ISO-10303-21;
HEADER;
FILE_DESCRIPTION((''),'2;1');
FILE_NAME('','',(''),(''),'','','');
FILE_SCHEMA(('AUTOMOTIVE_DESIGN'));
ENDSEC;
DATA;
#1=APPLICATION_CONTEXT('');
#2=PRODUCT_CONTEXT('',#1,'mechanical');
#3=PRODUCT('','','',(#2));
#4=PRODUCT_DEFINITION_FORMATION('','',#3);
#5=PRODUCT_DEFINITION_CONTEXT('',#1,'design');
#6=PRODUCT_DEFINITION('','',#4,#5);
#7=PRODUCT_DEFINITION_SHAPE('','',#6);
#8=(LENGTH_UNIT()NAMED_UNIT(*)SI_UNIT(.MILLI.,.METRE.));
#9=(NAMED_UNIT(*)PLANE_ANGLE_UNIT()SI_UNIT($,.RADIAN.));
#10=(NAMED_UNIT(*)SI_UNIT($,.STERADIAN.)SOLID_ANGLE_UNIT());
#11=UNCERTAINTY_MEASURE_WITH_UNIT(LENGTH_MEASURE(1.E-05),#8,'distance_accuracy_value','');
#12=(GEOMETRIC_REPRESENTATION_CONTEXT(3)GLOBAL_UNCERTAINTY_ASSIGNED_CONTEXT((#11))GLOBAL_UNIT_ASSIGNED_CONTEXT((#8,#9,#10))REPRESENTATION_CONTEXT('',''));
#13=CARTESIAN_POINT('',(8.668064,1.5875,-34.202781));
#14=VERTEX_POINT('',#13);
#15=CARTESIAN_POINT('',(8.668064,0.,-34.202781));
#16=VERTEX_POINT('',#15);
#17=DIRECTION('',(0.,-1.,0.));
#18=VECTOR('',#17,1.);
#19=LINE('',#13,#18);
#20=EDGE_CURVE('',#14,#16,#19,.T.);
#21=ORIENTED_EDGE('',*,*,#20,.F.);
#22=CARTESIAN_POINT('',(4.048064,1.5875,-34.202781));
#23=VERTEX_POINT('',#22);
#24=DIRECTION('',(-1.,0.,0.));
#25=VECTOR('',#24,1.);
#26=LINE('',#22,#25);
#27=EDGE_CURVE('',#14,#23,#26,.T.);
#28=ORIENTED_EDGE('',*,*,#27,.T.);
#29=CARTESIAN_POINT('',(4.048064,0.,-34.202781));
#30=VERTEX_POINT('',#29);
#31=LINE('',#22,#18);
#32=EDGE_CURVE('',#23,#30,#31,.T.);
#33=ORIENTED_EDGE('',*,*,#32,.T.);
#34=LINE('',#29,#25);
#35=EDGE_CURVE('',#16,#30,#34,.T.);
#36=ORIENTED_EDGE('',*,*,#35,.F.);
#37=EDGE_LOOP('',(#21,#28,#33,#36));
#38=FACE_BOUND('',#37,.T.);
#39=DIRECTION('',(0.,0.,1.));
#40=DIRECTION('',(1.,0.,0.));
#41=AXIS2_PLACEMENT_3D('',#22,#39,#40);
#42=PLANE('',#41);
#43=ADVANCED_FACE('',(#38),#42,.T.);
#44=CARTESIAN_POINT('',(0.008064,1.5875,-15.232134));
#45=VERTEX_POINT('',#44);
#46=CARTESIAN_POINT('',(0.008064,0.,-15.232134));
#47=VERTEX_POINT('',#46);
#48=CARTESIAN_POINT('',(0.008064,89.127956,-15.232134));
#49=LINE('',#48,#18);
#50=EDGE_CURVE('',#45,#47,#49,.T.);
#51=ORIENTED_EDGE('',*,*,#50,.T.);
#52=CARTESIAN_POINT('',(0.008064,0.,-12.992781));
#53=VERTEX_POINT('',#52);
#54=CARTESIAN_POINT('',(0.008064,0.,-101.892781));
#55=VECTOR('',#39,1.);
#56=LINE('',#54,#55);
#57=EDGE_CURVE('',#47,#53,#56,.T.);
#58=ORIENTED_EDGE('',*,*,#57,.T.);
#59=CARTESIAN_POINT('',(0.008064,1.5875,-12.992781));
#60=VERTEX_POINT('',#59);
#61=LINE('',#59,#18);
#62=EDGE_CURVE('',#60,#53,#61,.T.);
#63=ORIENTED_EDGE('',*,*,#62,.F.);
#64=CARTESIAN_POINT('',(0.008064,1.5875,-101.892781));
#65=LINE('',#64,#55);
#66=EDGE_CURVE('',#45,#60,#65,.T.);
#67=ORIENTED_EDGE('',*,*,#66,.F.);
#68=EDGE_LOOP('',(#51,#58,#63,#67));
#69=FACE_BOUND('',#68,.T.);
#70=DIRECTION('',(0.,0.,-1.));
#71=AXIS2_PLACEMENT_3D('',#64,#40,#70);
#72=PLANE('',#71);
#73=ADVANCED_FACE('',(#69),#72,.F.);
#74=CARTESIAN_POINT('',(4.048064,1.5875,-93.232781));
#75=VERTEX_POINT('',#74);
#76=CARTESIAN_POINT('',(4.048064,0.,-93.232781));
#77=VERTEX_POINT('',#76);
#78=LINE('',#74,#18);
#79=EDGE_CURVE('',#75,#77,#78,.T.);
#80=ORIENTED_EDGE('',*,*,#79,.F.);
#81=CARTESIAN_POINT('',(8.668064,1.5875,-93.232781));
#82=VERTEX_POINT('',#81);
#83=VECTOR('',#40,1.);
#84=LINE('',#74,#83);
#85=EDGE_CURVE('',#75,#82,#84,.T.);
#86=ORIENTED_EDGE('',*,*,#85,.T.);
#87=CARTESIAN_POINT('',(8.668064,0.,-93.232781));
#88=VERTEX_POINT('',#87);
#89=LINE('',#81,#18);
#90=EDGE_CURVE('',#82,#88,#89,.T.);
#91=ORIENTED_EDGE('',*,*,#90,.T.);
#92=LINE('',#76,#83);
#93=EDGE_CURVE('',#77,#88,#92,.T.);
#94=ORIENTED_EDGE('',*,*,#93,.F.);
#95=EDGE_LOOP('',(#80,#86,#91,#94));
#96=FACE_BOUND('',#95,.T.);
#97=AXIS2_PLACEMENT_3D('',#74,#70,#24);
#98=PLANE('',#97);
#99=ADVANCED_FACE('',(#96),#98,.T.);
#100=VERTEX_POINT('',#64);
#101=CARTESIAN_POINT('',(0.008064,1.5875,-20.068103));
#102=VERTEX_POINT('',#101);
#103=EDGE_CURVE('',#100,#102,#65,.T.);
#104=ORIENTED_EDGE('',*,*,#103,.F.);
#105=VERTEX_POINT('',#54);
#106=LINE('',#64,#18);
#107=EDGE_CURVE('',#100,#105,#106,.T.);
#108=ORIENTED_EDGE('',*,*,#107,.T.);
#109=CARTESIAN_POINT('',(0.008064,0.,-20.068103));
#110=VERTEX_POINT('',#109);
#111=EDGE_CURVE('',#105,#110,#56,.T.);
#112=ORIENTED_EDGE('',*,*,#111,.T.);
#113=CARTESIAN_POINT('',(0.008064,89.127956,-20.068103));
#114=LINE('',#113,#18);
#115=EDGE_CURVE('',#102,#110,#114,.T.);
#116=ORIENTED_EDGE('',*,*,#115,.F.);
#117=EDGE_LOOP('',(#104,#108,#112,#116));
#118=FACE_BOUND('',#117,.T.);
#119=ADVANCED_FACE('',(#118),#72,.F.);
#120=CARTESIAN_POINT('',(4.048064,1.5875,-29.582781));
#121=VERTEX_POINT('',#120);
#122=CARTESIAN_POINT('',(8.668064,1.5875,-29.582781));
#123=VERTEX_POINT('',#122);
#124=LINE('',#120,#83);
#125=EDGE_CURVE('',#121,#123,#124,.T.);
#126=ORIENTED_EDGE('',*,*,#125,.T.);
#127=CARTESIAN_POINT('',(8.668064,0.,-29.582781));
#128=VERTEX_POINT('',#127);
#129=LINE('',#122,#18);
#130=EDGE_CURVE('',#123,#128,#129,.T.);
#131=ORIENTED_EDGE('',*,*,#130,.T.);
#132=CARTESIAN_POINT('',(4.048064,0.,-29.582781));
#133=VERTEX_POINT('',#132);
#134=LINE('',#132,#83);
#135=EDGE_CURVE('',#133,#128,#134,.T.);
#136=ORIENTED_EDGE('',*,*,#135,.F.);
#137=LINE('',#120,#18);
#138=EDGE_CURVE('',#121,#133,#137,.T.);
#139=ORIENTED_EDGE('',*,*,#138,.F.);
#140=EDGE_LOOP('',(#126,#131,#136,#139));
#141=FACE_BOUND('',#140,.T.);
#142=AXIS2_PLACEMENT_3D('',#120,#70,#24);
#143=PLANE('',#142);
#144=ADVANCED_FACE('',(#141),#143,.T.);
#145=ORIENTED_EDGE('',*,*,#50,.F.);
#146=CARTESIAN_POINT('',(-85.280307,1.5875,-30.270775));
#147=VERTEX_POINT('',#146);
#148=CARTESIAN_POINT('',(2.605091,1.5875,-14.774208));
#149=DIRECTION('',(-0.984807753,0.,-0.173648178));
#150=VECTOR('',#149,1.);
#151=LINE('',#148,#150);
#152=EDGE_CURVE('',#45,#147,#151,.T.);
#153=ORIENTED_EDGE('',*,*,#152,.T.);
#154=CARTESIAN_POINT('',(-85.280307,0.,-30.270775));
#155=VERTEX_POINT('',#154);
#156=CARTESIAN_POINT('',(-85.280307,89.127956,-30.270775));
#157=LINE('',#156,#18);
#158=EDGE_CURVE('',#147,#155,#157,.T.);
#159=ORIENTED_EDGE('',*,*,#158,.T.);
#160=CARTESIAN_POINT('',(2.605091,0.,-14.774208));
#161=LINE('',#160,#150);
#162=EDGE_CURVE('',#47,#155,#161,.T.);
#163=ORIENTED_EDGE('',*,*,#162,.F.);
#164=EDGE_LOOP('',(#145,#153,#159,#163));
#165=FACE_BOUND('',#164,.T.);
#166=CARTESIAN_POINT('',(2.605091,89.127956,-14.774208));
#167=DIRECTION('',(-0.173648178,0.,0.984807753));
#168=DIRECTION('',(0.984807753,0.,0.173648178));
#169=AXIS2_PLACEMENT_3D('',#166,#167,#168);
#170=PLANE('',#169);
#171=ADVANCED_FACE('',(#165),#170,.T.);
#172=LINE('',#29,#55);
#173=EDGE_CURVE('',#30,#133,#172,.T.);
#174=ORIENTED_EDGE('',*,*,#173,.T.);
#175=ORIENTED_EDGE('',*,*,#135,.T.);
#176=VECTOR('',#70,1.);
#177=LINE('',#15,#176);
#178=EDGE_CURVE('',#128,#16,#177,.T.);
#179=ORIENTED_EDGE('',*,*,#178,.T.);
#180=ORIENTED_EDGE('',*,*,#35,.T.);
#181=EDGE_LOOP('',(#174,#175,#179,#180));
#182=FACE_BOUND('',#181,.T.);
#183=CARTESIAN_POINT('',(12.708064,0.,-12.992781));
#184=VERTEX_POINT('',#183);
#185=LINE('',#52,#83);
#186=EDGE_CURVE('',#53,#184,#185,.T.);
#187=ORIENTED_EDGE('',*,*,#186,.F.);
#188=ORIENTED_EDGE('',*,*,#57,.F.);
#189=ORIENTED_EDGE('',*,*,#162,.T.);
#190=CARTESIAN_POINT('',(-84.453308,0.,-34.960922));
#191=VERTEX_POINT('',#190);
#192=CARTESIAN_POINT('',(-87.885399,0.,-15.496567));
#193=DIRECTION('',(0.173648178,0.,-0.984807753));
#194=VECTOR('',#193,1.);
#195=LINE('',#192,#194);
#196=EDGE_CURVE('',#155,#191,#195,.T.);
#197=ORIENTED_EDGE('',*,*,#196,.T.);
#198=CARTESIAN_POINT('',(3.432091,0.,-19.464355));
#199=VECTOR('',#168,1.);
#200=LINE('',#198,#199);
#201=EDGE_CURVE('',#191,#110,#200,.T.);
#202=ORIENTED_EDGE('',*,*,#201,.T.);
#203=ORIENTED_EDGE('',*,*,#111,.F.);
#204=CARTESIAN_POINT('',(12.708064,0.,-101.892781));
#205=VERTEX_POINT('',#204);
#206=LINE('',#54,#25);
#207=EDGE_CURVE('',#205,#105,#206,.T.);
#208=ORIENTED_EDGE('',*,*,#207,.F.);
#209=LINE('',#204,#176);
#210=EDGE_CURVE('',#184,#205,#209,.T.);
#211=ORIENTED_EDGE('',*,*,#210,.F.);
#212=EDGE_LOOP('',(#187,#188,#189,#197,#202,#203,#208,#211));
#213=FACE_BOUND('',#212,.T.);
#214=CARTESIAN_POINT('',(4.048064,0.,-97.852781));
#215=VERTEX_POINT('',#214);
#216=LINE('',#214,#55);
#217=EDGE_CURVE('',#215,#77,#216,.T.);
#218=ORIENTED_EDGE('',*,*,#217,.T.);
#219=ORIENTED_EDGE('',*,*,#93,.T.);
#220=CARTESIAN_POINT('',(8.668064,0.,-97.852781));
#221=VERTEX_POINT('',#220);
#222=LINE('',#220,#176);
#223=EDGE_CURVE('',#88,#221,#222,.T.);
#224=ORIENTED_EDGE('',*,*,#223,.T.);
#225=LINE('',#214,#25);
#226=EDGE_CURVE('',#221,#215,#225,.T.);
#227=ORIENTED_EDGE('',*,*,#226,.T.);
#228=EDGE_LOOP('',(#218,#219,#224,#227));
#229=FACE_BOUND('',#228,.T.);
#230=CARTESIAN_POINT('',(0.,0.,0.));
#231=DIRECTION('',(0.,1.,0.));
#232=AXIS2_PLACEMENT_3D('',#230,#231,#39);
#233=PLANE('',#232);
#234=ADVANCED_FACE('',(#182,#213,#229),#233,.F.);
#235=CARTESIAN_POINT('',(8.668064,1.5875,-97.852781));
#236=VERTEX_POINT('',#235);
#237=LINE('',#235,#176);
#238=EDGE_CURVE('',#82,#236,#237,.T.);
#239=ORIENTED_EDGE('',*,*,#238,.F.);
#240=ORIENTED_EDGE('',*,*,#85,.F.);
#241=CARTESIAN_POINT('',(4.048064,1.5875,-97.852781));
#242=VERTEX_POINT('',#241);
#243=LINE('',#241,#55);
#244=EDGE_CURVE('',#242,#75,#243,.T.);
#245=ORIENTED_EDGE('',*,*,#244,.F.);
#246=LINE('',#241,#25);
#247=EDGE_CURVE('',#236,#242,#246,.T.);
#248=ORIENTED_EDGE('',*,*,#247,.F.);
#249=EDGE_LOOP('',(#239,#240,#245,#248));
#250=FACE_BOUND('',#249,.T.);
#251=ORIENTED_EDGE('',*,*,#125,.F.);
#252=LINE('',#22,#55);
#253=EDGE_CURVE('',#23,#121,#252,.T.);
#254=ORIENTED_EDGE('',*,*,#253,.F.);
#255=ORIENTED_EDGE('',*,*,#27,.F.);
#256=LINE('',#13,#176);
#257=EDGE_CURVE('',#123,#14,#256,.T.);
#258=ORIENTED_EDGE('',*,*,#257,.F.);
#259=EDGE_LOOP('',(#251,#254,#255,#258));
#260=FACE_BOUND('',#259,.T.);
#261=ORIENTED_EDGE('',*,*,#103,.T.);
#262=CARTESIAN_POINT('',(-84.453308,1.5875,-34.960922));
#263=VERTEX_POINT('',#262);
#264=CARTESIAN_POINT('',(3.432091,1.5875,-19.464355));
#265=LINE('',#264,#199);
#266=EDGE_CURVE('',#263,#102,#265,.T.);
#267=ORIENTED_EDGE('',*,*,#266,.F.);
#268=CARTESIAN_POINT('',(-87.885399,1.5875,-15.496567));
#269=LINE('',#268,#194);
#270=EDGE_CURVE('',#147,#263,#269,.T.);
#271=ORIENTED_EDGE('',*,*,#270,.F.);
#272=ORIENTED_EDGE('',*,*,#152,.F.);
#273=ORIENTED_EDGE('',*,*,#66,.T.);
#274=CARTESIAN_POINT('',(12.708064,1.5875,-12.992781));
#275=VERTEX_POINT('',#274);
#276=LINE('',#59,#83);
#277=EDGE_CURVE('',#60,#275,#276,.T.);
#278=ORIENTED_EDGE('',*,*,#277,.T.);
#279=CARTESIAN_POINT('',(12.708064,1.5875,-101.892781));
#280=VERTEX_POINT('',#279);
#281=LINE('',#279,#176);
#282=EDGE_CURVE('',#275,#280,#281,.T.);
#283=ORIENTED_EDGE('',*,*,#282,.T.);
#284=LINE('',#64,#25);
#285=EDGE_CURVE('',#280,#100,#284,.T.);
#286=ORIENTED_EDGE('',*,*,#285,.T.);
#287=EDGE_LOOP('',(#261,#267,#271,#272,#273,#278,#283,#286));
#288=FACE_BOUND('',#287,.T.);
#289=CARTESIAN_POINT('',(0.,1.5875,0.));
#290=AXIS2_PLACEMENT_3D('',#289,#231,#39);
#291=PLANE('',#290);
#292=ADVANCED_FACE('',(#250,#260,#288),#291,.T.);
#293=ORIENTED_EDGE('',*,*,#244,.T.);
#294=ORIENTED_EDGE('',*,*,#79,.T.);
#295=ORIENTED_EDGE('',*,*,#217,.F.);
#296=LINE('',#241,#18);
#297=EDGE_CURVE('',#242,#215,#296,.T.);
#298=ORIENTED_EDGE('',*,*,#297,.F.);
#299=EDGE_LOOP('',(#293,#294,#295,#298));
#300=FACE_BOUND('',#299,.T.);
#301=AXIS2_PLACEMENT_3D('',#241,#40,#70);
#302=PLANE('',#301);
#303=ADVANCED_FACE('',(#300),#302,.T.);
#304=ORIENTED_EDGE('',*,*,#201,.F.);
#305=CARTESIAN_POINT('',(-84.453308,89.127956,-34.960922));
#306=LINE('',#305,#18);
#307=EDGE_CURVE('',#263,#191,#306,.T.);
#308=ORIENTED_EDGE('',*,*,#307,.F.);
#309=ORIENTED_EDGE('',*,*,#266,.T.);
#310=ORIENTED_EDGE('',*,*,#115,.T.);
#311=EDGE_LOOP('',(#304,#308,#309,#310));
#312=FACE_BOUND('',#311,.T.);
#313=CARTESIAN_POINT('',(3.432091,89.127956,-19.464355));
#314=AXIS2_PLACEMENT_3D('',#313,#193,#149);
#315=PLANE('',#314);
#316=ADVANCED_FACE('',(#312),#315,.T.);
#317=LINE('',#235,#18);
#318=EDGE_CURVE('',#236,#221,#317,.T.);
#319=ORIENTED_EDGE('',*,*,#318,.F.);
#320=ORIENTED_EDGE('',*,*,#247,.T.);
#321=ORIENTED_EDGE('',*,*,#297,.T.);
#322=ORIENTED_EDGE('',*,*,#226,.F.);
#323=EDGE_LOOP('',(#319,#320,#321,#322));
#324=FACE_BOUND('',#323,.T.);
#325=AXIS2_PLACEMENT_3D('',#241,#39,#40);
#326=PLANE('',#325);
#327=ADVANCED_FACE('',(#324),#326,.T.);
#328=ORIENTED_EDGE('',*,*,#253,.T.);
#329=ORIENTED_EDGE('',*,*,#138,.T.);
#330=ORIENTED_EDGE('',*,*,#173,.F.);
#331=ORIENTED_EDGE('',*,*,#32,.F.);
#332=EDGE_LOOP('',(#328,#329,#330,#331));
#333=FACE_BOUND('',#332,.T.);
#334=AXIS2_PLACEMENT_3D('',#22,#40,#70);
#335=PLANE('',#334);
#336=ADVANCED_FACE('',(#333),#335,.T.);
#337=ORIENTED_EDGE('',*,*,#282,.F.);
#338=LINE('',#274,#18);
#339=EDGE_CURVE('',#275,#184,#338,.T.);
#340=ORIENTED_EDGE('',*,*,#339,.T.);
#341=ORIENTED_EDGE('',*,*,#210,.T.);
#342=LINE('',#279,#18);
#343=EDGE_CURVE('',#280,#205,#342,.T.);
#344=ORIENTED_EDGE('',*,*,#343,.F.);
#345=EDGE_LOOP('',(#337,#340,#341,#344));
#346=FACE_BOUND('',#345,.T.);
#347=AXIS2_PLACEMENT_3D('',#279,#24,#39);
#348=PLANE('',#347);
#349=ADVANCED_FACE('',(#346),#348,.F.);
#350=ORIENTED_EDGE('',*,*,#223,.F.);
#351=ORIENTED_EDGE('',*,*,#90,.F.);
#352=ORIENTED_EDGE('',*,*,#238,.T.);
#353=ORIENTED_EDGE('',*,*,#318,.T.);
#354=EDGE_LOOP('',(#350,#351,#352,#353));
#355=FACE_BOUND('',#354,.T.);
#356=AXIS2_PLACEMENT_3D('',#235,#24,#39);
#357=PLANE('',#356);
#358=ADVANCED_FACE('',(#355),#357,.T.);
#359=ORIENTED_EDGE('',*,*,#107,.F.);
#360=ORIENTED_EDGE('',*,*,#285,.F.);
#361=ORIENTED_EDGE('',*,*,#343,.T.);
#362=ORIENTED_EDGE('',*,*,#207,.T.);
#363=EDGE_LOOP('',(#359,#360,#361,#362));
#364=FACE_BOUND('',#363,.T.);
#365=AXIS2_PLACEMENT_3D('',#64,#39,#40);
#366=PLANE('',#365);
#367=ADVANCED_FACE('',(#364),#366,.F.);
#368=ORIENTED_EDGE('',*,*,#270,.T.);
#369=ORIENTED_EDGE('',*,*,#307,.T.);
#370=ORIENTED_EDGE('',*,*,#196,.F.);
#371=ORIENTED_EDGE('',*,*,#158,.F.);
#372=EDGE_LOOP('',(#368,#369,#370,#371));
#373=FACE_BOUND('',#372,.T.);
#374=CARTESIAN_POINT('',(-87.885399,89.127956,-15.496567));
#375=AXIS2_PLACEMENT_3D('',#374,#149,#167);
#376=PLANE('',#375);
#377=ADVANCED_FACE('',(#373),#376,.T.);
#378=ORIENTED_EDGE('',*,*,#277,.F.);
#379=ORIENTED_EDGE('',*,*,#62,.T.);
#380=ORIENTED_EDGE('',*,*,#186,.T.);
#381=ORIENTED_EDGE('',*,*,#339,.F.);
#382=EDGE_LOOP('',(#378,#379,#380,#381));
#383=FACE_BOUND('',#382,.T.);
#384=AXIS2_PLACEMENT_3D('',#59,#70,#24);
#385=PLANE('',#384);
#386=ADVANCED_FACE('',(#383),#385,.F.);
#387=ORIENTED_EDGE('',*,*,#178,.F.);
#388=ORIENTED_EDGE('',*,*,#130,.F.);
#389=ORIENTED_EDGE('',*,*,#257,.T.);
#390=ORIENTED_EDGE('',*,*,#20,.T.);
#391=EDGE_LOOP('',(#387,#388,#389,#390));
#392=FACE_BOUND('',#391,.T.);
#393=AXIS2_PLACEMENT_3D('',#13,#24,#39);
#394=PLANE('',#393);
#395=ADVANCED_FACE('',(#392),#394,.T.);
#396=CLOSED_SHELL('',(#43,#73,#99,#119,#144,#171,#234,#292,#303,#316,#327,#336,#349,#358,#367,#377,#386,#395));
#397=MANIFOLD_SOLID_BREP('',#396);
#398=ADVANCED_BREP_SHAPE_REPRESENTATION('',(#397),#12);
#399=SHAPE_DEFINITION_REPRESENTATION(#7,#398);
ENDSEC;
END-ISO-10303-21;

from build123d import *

# Parameters (mm, degrees)
SKETCH1_W           = 12.7
SKETCH1_H           = 88.9
SKETCH1_W_2         = 4.62
SKETCH1_H_2         = 4.62
BOSS_EXTRUDE1_DEPTH = 1.5875
BOSS_EXTRUDE2_DEPTH = 1.5875


with BuildPart() as part:
    # Sketch1 → Boss-Extrude1 (new body)
    with BuildSketch(Plane(origin=(0, 0, 0), x_dir=(1, 0, 0), z_dir=(0, 1, 0))):
        with Locations((6.358064201, 57.44278115)):
            Rectangle(SKETCH1_W, SKETCH1_H)
        with Locations((6.358064201, 95.54278115)):
            Rectangle(SKETCH1_W_2, SKETCH1_H_2, mode=Mode.SUBTRACT)
        with Locations((6.358064201, 31.89278115)):
            Rectangle(SKETCH1_W_2, SKETCH1_H_2, mode=Mode.SUBTRACT)
    extrude(amount=BOSS_EXTRUDE1_DEPTH)

    # Sketch2 → Boss-Extrude2 (add)
    with BuildSketch(Plane.XZ):
        Polygon((0.008064201, -20.068103044), (0.008064201, -15.232133805), (-85.280307223, -30.270774828), (-84.453307777, -34.960921752), align=None)
    extrude(amount=-BOSS_EXTRUDE2_DEPTH)


solid = part.part
